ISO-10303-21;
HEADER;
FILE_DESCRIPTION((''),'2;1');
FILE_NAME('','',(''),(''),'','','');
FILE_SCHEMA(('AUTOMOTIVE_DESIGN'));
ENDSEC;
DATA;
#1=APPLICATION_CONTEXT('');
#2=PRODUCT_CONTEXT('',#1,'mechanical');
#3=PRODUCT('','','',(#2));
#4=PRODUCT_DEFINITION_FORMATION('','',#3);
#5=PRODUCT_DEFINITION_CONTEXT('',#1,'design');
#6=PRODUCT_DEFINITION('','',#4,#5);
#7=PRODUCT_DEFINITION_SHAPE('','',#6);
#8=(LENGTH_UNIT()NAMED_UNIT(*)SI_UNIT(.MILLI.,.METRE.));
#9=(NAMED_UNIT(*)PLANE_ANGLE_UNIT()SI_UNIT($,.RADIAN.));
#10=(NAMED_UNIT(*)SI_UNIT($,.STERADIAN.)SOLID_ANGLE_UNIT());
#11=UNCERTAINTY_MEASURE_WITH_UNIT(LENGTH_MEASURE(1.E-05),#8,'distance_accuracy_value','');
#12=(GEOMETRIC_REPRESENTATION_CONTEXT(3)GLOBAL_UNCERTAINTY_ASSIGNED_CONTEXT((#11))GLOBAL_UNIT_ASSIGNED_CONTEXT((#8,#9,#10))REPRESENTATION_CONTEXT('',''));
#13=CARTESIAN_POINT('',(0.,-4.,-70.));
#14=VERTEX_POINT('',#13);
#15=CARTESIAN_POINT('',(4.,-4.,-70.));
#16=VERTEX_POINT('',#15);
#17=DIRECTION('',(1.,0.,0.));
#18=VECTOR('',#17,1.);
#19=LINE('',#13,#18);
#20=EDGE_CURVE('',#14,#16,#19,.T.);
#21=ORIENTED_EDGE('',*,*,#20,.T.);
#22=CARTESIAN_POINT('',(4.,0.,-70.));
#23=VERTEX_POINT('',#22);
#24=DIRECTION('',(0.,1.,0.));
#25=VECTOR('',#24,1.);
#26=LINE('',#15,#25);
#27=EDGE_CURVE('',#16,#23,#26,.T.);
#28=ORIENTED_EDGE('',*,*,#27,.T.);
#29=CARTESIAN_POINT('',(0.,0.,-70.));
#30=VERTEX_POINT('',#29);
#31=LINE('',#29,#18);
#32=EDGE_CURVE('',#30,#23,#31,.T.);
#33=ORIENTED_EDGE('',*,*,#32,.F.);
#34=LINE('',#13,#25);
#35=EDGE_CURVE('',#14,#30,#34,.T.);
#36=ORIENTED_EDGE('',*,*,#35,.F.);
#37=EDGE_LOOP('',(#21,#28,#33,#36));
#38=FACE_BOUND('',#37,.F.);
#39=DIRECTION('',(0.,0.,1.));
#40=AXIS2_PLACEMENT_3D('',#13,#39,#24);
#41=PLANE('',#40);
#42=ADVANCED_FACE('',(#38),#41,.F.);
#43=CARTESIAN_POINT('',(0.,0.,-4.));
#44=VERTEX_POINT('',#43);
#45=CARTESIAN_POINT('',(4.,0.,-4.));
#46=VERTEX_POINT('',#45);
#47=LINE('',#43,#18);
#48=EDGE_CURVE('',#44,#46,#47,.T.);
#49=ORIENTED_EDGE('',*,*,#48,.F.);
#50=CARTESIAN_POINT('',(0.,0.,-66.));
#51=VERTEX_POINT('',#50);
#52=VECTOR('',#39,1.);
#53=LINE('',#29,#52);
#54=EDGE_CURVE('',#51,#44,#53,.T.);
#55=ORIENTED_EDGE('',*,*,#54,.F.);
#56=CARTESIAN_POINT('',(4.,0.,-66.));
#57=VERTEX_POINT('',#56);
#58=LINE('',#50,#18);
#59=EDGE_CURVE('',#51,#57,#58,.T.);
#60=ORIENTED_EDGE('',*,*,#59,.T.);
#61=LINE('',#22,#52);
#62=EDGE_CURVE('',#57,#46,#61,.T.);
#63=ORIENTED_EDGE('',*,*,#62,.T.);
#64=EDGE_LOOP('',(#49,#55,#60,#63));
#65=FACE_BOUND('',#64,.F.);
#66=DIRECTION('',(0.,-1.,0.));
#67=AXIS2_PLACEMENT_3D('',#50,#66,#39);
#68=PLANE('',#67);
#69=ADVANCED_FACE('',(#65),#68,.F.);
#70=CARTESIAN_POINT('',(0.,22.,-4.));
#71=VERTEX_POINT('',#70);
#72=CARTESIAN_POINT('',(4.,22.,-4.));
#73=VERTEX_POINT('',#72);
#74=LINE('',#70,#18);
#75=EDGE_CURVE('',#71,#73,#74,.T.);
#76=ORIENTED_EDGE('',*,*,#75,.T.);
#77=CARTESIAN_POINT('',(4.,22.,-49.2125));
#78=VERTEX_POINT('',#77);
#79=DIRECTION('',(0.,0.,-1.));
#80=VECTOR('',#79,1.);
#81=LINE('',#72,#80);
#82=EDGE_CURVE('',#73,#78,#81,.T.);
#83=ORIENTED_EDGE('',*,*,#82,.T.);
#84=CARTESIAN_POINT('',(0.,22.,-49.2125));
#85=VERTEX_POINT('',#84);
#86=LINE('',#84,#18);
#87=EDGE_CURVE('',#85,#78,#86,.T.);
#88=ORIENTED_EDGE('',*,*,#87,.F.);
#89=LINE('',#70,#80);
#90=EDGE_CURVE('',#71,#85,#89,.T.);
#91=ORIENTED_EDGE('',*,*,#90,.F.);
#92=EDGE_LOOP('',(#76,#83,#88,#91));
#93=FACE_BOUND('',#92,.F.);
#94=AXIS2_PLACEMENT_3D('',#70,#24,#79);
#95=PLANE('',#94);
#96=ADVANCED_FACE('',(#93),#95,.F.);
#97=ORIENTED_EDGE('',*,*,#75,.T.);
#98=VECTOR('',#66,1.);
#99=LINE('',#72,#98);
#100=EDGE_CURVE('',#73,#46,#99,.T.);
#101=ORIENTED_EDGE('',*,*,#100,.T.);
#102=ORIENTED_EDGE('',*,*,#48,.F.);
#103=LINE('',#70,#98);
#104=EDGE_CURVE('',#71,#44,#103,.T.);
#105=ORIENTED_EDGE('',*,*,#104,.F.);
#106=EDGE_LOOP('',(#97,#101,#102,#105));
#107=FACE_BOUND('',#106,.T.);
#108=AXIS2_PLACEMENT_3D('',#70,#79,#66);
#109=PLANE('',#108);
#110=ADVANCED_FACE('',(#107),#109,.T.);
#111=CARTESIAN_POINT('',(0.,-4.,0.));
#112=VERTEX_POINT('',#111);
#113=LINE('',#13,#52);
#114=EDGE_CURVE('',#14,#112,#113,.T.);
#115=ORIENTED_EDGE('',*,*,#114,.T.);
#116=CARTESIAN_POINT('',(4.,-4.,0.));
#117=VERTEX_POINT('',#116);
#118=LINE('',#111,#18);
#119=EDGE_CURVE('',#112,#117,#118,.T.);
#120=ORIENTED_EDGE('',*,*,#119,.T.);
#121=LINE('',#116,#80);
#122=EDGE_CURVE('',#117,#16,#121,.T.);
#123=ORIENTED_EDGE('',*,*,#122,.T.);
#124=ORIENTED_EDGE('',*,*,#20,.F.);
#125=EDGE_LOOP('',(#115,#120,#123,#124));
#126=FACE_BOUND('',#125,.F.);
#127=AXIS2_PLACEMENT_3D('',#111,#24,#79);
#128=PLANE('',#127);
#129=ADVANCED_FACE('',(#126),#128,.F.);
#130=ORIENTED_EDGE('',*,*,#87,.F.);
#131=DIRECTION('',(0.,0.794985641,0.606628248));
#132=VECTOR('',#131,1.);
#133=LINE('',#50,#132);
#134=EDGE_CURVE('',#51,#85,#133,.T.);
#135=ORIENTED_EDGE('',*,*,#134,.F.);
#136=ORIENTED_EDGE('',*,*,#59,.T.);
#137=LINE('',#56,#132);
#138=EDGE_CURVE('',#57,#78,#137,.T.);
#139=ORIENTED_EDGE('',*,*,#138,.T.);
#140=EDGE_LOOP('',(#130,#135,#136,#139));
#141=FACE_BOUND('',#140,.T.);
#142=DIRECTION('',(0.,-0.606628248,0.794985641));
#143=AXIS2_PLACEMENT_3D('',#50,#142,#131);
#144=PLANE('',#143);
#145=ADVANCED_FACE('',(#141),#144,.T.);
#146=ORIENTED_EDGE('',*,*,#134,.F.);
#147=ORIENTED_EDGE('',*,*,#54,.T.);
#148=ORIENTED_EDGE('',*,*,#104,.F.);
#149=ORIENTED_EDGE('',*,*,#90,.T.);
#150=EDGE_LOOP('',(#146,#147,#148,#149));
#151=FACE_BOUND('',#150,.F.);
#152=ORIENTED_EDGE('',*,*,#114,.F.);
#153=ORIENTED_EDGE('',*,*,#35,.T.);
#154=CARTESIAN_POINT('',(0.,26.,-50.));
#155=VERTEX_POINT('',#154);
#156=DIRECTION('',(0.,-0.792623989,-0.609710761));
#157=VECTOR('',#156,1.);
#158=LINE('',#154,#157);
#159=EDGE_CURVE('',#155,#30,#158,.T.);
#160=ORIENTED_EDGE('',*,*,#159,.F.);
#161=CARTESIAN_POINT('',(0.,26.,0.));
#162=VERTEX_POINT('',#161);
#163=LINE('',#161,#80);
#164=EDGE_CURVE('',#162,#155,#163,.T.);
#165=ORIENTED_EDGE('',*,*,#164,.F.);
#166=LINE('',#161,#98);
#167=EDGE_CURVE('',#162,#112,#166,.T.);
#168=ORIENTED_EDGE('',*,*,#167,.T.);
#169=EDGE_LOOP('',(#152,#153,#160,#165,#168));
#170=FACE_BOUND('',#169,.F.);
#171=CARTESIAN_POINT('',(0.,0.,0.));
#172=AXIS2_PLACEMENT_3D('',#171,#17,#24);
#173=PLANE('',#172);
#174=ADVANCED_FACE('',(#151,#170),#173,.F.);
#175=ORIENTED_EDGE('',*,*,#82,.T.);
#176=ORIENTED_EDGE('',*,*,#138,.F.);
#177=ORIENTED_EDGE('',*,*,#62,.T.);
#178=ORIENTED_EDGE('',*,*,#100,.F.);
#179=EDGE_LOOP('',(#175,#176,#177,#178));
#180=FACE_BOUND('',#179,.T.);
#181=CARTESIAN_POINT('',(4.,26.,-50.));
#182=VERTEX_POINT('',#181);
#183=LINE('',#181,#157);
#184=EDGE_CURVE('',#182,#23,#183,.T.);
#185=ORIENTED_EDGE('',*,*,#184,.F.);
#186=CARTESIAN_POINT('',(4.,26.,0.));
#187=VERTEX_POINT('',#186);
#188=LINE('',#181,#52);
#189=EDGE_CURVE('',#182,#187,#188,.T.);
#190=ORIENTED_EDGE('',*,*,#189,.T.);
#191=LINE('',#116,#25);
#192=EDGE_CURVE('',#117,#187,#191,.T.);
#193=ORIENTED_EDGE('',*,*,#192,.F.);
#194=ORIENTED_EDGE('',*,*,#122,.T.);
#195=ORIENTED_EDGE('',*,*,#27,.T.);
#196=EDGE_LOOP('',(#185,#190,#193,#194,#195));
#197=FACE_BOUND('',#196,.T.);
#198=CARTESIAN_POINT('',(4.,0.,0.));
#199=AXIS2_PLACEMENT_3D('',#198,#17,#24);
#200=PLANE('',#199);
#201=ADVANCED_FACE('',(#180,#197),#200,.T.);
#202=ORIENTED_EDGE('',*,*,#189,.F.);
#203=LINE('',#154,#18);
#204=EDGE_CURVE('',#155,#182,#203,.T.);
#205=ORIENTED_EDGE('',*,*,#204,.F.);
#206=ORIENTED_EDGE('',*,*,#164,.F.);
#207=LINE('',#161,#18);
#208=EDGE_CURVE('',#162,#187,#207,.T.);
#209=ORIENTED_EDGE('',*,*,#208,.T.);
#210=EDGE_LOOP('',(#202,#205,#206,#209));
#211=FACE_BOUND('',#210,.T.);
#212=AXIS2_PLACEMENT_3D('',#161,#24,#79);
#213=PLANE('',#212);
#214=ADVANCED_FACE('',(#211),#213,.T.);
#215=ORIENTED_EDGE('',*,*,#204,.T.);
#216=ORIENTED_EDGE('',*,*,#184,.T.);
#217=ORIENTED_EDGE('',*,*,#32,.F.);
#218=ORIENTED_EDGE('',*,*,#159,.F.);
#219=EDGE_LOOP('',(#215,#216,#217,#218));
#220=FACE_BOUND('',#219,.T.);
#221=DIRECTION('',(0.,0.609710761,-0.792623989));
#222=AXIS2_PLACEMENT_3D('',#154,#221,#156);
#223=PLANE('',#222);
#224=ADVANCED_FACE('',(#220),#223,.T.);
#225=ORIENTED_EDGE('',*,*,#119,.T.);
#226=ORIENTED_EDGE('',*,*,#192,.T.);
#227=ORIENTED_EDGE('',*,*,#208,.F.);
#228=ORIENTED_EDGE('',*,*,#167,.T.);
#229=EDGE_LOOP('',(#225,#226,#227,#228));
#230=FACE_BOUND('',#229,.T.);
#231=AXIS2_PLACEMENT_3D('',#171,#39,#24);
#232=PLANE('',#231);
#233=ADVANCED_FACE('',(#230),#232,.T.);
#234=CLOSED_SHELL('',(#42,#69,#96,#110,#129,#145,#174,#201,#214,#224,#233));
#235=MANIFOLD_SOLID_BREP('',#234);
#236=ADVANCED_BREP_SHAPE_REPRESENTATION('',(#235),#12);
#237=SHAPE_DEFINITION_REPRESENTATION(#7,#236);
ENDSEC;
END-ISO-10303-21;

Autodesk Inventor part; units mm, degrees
ref_plane "YZ Plane" through (0, 0, 0) normal (1, 0, 0) x (0, 1, 0)
ref_plane "XZ Plane" through (0, 0, 0) normal (0, 1, 0) x (-1, 0, 0)
ref_plane "XY Plane" through (0, 0, 0) normal (0, 0, 1) x (1, 0, 0)
sketch "Sketch1" plane through (0, 0, 0) normal (1, 0, 0) x (0, 1, 0)
  line L0 (0, 0) -> (-4, 0)
  line L1 (-4, 0) -> (-4, -70)
  line L2 (-4, -70) -> (0, -70)
  line L3 (0, -70) -> (0, -4)
  line L4 (-4, 0) -> (26, 0)
  line L5 (26, 0) -> (26, -4)
  line L6 (22, -4) -> (0, -4)
  line L7 (-4, -4) -> (-4, 0)
  line L8 (26, 0) -> (22, 0)
  line L9 (22, -4) -> (22, -50)
  line L10 (22, -50) -> (26, -50)
  line L11 (26, -50) -> (26, 0)
  line L12 (26, -50) -> (0, -70)
  line L13 (0, -70) -> (0, -66)
  line L14 (0, -66) -> (22, -49.2125)
  dimension "d0" = 4
  dimension "d1" = 70
  dimension "d2" = 30
  dimension "d3" = 4
  dimension "d4" = 4
  dimension "d5" = 50
  dimension "d6" = 4
extrude "Extrusion1" add sketch "Sketch1" along normal blind 4 contours L4 L5 L11 L10 L9 L6 L3 L2 L1 L0 | L3 L14 L9 L10 L12
properties part number "Holder Motor Lifter_3DPrint"
